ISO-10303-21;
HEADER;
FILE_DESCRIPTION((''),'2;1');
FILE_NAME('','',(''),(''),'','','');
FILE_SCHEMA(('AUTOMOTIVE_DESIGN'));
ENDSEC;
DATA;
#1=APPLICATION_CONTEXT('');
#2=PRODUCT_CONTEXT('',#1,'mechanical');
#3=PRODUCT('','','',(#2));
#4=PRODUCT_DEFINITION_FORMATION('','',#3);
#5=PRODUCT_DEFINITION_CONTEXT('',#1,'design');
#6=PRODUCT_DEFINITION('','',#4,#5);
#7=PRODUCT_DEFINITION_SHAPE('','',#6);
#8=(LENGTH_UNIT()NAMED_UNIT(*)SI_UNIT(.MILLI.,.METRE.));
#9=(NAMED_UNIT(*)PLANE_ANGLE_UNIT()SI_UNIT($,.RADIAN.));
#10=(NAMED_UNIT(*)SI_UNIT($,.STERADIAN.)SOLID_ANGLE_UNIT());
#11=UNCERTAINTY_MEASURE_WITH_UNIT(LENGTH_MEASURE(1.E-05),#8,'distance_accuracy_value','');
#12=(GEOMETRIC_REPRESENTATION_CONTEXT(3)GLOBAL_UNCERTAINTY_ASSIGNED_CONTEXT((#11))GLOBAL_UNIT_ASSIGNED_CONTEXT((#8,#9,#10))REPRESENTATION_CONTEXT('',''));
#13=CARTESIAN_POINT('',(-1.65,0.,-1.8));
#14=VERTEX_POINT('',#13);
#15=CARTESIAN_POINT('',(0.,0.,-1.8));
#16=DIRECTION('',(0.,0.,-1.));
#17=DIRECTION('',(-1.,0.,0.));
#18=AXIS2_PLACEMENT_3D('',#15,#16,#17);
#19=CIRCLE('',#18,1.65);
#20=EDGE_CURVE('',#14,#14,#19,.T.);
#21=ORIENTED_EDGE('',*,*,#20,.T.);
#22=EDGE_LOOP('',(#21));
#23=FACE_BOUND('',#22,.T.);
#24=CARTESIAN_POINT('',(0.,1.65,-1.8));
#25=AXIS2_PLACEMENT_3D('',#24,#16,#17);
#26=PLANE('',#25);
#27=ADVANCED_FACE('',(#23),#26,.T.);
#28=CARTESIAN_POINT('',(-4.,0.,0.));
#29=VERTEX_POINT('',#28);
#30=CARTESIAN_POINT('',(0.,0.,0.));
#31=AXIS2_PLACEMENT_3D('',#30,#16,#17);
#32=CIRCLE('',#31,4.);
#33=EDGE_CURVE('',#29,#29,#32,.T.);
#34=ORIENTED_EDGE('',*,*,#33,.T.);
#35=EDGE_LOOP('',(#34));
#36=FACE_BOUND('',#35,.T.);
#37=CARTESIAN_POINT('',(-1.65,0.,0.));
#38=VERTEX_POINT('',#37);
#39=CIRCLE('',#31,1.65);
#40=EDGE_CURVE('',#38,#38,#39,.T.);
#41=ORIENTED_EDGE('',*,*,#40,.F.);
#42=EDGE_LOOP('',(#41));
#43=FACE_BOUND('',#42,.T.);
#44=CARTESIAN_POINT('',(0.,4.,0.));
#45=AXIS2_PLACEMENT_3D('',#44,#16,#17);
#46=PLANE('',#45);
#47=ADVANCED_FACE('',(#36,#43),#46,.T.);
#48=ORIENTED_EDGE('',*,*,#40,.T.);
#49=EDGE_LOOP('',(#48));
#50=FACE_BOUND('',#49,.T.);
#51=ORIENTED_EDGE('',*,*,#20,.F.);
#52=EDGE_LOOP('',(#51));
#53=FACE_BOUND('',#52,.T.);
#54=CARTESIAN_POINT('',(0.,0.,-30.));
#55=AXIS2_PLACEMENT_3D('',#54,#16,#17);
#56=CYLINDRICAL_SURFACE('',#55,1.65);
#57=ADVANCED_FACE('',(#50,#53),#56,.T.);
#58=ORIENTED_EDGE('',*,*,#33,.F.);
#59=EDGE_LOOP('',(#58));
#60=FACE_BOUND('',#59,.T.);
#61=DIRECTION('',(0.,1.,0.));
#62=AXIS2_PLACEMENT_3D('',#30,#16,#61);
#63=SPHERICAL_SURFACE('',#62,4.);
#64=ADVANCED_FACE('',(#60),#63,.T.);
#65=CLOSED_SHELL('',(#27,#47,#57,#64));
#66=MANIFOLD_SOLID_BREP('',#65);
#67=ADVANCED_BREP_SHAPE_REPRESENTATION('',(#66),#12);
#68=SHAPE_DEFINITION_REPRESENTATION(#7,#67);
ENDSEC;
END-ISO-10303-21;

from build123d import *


with BuildPart() as part:
    # Croquis2 → Revolución1 (revolve)
    with BuildSketch(Plane(origin=(0, 0, 0), x_dir=(0, 0, -1), z_dir=(1, 0, 0))):
        with BuildLine():
            Line((0, 4), (0, 1.65))
            Line((0, 1.65), (1.8, 1.65))
            Line((1.8, 1.65), (1.8, 0))
            Line((1.8, 0), (-4, 0))
            ThreePointArc((-4, 0), (-2.828427125, 2.828427125), (0, 4))
        make_face()
    revolve(axis=Axis((0, 0, -30), (0, 0, 1)))


solid = part.part
